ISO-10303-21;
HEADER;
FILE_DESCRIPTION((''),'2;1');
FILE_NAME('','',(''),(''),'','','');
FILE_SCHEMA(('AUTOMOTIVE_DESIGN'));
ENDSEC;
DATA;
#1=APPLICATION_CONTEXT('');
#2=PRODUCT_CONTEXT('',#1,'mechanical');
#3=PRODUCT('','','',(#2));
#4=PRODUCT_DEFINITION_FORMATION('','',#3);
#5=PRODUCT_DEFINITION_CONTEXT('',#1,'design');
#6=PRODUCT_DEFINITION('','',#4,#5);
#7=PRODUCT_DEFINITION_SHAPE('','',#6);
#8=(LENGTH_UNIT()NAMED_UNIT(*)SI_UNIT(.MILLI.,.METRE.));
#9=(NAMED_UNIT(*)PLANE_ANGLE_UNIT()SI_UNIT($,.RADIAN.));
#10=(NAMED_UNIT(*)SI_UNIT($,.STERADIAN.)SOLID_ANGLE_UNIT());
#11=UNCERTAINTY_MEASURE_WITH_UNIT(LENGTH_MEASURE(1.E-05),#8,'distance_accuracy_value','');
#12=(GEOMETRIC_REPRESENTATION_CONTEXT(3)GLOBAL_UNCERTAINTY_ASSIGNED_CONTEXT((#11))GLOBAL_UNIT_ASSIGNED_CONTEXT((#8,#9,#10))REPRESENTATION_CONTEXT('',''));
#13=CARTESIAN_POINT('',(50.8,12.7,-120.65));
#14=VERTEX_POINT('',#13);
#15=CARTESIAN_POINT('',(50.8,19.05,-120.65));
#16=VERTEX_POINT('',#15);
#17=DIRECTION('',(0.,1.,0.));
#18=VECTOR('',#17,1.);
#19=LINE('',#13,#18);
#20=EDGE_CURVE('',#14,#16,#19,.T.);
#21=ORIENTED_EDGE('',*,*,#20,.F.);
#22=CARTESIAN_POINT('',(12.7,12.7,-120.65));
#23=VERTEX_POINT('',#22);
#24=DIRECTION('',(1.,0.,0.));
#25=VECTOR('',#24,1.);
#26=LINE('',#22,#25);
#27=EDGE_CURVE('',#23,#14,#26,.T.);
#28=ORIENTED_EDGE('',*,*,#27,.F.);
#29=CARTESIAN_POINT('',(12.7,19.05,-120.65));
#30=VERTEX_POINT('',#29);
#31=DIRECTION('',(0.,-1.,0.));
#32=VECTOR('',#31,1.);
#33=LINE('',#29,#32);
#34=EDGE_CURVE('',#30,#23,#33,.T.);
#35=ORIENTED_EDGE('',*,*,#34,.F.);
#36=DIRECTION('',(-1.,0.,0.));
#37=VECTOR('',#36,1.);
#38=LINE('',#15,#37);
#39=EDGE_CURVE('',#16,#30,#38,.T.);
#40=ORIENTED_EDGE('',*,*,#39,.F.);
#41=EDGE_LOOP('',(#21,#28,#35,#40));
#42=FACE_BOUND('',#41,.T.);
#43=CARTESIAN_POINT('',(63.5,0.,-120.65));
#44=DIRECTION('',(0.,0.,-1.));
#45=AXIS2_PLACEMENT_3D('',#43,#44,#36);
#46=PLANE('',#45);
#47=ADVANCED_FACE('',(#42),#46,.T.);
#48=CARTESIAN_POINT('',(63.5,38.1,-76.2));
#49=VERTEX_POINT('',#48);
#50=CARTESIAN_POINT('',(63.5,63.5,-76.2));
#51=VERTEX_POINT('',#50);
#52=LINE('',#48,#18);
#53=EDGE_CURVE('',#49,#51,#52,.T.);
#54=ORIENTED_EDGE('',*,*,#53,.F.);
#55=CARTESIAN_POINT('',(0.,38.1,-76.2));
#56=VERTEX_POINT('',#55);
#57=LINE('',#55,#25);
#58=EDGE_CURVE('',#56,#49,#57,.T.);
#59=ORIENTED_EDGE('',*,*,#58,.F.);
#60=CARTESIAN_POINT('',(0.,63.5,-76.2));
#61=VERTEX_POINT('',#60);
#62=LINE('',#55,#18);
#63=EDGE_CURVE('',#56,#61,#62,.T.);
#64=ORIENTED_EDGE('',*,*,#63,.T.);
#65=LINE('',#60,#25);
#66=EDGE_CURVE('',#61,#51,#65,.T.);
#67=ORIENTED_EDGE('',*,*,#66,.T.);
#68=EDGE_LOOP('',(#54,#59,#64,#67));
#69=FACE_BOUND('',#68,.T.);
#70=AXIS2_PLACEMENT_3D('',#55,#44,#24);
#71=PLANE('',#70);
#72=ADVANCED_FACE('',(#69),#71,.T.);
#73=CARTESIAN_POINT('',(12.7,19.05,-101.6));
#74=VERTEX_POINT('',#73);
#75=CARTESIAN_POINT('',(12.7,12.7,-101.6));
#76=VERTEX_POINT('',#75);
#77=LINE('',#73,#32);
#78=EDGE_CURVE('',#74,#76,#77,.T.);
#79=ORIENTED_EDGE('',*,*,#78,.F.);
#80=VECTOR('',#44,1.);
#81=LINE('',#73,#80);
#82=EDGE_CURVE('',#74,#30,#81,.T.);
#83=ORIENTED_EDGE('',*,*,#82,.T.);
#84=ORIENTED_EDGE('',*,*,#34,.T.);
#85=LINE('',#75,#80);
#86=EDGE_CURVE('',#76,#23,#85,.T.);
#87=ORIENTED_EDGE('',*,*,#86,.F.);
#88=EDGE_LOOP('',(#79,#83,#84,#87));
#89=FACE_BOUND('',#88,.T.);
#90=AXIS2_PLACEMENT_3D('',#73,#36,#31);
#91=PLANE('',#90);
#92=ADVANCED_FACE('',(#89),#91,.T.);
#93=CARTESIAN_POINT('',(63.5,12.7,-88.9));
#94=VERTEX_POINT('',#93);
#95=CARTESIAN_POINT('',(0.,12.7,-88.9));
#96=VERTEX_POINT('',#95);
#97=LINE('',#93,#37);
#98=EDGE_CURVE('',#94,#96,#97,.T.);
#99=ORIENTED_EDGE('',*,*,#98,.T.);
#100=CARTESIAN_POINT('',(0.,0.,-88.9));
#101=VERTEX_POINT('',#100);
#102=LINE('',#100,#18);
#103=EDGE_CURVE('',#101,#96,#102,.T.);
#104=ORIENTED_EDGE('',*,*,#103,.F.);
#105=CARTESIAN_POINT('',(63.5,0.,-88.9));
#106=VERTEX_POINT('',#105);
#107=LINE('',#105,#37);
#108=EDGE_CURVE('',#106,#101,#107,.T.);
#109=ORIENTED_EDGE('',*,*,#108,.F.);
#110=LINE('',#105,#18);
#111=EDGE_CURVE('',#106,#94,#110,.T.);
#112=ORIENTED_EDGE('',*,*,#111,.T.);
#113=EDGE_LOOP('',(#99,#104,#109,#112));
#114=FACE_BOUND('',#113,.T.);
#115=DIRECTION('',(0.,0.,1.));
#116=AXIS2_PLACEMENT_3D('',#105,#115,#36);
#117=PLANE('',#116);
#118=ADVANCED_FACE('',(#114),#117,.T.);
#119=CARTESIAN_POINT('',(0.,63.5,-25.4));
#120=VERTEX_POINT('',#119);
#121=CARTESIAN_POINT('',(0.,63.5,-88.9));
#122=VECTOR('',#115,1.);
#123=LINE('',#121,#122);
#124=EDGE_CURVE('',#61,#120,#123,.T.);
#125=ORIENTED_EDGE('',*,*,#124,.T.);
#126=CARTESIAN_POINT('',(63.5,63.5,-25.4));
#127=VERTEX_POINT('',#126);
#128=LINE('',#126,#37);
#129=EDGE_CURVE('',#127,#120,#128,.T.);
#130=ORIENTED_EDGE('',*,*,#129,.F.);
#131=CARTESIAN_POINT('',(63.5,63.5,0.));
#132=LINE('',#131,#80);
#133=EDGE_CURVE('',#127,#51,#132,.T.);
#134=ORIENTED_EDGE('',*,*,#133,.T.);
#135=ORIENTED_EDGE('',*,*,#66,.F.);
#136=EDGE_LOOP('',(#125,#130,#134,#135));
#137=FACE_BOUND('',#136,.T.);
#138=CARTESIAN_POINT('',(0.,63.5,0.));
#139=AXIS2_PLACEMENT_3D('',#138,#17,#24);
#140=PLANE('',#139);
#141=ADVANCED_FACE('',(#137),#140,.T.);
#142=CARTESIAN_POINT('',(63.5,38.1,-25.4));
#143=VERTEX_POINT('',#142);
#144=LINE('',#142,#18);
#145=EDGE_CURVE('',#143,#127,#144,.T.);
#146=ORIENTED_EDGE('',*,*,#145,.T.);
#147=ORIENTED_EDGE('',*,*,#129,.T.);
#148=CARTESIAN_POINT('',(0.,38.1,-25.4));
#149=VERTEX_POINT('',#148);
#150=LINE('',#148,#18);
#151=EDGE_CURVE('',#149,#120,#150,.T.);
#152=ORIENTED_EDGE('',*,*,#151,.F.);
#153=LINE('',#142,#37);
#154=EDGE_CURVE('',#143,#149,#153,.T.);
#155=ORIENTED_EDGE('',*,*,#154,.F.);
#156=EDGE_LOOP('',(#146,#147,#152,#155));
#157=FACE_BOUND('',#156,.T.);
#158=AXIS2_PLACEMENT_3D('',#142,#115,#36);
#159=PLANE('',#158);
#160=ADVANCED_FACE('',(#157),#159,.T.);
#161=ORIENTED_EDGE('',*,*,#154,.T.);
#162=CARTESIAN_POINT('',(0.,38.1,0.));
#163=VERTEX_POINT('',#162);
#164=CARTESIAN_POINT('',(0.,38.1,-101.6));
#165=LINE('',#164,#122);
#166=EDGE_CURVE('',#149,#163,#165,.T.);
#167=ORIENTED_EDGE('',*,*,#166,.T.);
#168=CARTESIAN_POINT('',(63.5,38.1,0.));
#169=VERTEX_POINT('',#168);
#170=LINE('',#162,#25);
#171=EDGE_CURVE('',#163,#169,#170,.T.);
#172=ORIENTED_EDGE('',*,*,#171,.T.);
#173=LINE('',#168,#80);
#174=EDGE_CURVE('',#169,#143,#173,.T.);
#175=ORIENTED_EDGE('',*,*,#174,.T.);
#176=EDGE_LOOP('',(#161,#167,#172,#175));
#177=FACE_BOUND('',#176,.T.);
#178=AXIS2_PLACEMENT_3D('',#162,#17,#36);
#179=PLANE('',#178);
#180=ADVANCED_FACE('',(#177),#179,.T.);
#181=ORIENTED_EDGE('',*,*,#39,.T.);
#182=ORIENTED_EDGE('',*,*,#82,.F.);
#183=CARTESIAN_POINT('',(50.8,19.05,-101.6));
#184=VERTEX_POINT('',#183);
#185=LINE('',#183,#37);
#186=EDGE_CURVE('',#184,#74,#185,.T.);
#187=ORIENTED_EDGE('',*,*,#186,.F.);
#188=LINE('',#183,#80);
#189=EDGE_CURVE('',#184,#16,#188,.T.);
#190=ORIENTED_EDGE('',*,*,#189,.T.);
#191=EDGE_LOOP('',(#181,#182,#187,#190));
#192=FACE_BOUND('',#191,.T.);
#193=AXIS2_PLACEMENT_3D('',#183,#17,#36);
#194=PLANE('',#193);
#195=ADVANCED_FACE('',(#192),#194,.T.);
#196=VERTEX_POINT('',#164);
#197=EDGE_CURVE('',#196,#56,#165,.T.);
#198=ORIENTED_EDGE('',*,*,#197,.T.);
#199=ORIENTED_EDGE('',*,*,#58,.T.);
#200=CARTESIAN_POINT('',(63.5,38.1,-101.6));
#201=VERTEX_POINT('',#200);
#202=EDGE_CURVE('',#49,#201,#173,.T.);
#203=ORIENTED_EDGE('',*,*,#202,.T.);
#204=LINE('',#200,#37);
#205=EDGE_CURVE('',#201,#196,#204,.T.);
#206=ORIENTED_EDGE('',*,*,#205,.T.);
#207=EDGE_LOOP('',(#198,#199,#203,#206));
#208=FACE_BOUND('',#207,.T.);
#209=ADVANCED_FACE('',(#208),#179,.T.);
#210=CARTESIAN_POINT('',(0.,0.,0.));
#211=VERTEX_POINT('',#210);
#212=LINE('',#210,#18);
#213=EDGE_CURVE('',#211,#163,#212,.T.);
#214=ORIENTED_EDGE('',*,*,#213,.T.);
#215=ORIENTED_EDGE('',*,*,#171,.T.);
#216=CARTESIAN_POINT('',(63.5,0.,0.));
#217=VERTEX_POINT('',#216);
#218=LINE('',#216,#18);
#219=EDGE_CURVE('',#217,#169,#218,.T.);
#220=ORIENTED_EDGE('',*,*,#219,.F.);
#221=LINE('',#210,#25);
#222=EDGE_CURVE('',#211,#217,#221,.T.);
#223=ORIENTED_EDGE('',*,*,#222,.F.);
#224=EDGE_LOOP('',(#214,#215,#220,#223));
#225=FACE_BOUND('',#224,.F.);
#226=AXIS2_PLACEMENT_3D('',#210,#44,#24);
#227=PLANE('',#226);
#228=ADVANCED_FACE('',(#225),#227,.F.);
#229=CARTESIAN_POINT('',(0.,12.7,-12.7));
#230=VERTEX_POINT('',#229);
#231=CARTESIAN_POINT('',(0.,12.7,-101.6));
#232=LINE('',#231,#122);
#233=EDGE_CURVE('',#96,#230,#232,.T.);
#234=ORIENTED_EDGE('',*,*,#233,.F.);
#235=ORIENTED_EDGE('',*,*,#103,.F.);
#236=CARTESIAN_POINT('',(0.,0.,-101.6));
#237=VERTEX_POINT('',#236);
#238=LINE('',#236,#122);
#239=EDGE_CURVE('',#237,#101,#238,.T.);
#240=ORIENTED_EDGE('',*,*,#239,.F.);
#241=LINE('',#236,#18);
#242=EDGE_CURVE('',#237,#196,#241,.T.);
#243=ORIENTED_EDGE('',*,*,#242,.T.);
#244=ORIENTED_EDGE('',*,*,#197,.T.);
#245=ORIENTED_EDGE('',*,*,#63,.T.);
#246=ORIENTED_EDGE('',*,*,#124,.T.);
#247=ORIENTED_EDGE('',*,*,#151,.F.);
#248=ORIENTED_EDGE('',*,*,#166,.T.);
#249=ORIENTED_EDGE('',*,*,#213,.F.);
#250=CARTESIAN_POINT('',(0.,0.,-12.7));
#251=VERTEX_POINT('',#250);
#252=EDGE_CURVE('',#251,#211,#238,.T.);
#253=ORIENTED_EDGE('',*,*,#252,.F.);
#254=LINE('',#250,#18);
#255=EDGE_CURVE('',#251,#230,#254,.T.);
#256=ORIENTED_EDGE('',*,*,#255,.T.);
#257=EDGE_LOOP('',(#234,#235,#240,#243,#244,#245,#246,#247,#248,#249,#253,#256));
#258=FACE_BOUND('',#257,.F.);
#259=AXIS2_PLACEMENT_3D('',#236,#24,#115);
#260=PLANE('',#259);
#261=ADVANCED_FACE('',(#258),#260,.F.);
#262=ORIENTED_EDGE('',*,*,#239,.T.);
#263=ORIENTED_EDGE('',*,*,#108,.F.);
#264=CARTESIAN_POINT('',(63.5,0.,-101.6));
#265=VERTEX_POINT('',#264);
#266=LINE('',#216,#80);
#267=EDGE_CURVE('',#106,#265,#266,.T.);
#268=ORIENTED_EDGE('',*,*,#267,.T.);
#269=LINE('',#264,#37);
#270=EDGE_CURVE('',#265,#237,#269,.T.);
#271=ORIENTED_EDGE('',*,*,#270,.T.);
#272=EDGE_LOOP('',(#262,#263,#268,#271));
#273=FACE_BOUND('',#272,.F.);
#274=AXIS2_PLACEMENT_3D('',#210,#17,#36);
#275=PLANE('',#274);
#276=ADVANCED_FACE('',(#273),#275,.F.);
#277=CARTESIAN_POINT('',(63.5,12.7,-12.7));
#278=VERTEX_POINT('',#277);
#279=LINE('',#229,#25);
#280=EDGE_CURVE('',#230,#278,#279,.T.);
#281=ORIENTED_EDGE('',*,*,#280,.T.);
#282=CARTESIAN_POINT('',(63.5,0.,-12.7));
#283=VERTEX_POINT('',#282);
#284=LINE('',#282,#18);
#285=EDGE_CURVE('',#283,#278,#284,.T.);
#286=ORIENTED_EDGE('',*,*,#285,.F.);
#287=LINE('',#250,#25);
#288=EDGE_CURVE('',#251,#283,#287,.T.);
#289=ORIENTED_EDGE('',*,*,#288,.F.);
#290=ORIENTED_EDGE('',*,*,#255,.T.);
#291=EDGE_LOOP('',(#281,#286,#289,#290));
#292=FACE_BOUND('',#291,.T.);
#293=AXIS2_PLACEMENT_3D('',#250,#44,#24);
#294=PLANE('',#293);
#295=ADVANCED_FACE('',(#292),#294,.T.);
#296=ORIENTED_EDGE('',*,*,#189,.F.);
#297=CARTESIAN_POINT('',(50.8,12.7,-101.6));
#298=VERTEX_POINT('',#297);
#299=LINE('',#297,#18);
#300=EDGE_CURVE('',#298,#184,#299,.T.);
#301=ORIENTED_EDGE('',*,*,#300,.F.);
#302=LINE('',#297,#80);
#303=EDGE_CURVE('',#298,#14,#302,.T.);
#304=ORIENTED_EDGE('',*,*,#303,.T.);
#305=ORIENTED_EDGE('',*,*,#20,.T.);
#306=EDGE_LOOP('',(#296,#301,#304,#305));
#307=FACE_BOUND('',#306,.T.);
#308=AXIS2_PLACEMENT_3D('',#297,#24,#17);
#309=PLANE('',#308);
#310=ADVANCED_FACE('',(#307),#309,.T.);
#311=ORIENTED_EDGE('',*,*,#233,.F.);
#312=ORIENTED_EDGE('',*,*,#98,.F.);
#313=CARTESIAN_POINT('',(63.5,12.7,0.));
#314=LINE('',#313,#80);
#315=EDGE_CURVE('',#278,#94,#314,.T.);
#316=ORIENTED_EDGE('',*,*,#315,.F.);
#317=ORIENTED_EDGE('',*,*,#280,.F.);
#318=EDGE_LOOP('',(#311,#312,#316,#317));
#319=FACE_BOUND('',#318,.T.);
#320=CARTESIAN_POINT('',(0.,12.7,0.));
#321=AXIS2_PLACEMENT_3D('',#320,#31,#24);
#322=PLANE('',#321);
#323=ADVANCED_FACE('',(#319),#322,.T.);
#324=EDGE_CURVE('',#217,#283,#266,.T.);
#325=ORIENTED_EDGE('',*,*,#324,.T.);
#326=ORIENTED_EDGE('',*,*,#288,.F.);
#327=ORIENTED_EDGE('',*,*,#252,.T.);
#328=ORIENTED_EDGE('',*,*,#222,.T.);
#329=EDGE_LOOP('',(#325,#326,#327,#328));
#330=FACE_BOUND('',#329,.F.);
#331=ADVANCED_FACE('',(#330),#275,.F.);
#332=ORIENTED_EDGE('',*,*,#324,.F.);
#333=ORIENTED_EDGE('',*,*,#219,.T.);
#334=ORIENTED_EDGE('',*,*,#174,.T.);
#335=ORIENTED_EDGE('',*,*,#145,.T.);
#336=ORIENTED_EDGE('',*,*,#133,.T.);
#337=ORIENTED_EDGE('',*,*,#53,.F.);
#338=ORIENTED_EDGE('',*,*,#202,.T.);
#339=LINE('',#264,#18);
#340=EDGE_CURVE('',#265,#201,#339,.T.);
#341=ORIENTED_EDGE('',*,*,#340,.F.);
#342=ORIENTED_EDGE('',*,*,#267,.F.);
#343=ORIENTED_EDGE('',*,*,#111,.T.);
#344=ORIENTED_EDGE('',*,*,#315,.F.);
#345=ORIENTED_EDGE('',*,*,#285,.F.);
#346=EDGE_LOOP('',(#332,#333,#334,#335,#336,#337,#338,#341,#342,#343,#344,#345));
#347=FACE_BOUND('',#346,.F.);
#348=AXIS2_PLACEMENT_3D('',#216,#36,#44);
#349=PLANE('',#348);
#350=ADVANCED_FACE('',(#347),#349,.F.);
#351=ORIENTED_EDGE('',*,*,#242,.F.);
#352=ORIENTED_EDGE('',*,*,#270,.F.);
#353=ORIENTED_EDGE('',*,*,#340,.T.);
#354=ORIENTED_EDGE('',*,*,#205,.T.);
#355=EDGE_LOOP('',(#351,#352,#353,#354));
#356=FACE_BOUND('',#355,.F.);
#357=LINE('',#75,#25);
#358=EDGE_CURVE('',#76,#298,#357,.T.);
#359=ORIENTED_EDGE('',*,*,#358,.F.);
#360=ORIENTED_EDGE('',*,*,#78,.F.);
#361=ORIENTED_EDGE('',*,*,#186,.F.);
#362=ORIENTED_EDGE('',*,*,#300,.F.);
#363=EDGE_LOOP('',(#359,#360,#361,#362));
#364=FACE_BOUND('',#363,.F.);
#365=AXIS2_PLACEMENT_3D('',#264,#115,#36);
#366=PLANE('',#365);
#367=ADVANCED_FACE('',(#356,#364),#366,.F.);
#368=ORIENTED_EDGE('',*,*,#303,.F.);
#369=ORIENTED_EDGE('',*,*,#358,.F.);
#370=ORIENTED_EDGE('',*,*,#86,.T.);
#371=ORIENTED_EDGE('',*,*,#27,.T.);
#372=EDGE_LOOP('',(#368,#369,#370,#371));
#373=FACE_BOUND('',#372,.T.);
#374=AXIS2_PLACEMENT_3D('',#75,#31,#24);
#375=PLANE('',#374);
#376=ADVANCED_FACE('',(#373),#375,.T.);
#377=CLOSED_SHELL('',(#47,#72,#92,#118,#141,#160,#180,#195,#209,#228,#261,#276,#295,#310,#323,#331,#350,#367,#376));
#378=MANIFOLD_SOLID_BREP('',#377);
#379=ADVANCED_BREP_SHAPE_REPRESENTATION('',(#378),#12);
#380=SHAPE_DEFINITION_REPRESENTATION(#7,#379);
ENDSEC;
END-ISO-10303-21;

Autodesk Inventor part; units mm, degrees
ref_plane "YZ Plane" through (0, 0, 0) normal (1, 0, 0) x (0, 1, 0)
ref_plane "XZ Plane" through (0, 0, 0) normal (0, 1, 0) x (-1, 0, 0)
ref_plane "XY Plane" through (0, 0, 0) normal (0, 0, 1) x (1, 0, 0)
sketch "Sketch1" plane through (0, 0, 0) normal (0, 1, 0) x (-1, 0, 0)
  line L0 (0, 0) -> (-63.5, 0)
  line L1 (-63.5, 0) -> (-63.5, -101.6)
  line L2 (-63.5, -101.6) -> (0, -101.6)
  line L3 (0, -101.6) -> (0, 0)
  dimension "d0" = 63.5
  dimension "d1" = 101.6
extrude "Extrusion1" add sketch "Sketch1" along normal blind 38.1
sketch "Sketch2" plane through (0, 0, 0) normal (0, -1, 0) x (1, 0, 0)
  line L0 (0, 0) -> (0, -12.7)
  line L1 (0, -101.6) -> (0, 0) projected
  line L2 (63.5, 0) -> (63.5, -101.6) projected
  line L3 (0, -12.7) -> (63.5, -12.7)
  line L4 (63.5, -12.7) -> (63.5, -88.9)
  line L5 (63.5, -88.9) -> (0, -88.9)
  line L6 (0, -88.9) -> (0, -12.7)
  dimension "d4" = 12.7
  dimension "d5" = 76.2
extrude "Extrusion2" cut sketch "Sketch2" against normal blind 12.7
sketch "Sketch3" plane through (0, 38.1, 0) normal (0, 1, 0) x (1, 0, 0)
  line L0 (63.5, 0) -> (63.5, 101.6) projected
  line L1 (63.5, 0) -> (63.5, 25.4)
  line L2 (0, 88.9) -> (0, 12.7) projected
  line L3 (63.5, 25.4) -> (0, 25.4)
  line L4 (0, 25.4) -> (0, 76.2)
  line L5 (0, 76.2) -> (63.5, 76.2)
  line L6 (63.5, 76.2) -> (63.5, 25.4)
  point P0 (0, 0)
  dimension "d8" = 25.4
  dimension "d9" = 50.8
extrude "Extrusion3" add sketch "Sketch3" along normal blind 25.4
sketch "Sketch4" plane through (63.5, 0, -101.6) normal (0, 0, -1) x (-1, 0, 0)
  line L0 (0, 38.1) -> (0, 63.5) projected
  line L1 (0, 38.1) -> (12.7, 38.1)
  line L2 (63.5, 38.1) -> (0, 38.1) projected
  line L3 (12.7, 38.1) -> (12.7, 19.05)
  line L4 (12.7, 19.05) -> (50.8, 19.05)
  line L5 (50.8, 19.05) -> (50.8, 12.7)
  line L6 (50.8, 12.7) -> (12.7, 12.7)
  line L7 (12.7, 12.7) -> (12.7, 19.05)
  point P0 (63.5, 0)
  dimension "d12" = 12.7
  dimension "d13" = 19.05
  dimension "d14" = 38.1
  dimension "d15" = 6.35
extrude "Extrusion4" add sketch "Sketch4" along normal blind 19.05
